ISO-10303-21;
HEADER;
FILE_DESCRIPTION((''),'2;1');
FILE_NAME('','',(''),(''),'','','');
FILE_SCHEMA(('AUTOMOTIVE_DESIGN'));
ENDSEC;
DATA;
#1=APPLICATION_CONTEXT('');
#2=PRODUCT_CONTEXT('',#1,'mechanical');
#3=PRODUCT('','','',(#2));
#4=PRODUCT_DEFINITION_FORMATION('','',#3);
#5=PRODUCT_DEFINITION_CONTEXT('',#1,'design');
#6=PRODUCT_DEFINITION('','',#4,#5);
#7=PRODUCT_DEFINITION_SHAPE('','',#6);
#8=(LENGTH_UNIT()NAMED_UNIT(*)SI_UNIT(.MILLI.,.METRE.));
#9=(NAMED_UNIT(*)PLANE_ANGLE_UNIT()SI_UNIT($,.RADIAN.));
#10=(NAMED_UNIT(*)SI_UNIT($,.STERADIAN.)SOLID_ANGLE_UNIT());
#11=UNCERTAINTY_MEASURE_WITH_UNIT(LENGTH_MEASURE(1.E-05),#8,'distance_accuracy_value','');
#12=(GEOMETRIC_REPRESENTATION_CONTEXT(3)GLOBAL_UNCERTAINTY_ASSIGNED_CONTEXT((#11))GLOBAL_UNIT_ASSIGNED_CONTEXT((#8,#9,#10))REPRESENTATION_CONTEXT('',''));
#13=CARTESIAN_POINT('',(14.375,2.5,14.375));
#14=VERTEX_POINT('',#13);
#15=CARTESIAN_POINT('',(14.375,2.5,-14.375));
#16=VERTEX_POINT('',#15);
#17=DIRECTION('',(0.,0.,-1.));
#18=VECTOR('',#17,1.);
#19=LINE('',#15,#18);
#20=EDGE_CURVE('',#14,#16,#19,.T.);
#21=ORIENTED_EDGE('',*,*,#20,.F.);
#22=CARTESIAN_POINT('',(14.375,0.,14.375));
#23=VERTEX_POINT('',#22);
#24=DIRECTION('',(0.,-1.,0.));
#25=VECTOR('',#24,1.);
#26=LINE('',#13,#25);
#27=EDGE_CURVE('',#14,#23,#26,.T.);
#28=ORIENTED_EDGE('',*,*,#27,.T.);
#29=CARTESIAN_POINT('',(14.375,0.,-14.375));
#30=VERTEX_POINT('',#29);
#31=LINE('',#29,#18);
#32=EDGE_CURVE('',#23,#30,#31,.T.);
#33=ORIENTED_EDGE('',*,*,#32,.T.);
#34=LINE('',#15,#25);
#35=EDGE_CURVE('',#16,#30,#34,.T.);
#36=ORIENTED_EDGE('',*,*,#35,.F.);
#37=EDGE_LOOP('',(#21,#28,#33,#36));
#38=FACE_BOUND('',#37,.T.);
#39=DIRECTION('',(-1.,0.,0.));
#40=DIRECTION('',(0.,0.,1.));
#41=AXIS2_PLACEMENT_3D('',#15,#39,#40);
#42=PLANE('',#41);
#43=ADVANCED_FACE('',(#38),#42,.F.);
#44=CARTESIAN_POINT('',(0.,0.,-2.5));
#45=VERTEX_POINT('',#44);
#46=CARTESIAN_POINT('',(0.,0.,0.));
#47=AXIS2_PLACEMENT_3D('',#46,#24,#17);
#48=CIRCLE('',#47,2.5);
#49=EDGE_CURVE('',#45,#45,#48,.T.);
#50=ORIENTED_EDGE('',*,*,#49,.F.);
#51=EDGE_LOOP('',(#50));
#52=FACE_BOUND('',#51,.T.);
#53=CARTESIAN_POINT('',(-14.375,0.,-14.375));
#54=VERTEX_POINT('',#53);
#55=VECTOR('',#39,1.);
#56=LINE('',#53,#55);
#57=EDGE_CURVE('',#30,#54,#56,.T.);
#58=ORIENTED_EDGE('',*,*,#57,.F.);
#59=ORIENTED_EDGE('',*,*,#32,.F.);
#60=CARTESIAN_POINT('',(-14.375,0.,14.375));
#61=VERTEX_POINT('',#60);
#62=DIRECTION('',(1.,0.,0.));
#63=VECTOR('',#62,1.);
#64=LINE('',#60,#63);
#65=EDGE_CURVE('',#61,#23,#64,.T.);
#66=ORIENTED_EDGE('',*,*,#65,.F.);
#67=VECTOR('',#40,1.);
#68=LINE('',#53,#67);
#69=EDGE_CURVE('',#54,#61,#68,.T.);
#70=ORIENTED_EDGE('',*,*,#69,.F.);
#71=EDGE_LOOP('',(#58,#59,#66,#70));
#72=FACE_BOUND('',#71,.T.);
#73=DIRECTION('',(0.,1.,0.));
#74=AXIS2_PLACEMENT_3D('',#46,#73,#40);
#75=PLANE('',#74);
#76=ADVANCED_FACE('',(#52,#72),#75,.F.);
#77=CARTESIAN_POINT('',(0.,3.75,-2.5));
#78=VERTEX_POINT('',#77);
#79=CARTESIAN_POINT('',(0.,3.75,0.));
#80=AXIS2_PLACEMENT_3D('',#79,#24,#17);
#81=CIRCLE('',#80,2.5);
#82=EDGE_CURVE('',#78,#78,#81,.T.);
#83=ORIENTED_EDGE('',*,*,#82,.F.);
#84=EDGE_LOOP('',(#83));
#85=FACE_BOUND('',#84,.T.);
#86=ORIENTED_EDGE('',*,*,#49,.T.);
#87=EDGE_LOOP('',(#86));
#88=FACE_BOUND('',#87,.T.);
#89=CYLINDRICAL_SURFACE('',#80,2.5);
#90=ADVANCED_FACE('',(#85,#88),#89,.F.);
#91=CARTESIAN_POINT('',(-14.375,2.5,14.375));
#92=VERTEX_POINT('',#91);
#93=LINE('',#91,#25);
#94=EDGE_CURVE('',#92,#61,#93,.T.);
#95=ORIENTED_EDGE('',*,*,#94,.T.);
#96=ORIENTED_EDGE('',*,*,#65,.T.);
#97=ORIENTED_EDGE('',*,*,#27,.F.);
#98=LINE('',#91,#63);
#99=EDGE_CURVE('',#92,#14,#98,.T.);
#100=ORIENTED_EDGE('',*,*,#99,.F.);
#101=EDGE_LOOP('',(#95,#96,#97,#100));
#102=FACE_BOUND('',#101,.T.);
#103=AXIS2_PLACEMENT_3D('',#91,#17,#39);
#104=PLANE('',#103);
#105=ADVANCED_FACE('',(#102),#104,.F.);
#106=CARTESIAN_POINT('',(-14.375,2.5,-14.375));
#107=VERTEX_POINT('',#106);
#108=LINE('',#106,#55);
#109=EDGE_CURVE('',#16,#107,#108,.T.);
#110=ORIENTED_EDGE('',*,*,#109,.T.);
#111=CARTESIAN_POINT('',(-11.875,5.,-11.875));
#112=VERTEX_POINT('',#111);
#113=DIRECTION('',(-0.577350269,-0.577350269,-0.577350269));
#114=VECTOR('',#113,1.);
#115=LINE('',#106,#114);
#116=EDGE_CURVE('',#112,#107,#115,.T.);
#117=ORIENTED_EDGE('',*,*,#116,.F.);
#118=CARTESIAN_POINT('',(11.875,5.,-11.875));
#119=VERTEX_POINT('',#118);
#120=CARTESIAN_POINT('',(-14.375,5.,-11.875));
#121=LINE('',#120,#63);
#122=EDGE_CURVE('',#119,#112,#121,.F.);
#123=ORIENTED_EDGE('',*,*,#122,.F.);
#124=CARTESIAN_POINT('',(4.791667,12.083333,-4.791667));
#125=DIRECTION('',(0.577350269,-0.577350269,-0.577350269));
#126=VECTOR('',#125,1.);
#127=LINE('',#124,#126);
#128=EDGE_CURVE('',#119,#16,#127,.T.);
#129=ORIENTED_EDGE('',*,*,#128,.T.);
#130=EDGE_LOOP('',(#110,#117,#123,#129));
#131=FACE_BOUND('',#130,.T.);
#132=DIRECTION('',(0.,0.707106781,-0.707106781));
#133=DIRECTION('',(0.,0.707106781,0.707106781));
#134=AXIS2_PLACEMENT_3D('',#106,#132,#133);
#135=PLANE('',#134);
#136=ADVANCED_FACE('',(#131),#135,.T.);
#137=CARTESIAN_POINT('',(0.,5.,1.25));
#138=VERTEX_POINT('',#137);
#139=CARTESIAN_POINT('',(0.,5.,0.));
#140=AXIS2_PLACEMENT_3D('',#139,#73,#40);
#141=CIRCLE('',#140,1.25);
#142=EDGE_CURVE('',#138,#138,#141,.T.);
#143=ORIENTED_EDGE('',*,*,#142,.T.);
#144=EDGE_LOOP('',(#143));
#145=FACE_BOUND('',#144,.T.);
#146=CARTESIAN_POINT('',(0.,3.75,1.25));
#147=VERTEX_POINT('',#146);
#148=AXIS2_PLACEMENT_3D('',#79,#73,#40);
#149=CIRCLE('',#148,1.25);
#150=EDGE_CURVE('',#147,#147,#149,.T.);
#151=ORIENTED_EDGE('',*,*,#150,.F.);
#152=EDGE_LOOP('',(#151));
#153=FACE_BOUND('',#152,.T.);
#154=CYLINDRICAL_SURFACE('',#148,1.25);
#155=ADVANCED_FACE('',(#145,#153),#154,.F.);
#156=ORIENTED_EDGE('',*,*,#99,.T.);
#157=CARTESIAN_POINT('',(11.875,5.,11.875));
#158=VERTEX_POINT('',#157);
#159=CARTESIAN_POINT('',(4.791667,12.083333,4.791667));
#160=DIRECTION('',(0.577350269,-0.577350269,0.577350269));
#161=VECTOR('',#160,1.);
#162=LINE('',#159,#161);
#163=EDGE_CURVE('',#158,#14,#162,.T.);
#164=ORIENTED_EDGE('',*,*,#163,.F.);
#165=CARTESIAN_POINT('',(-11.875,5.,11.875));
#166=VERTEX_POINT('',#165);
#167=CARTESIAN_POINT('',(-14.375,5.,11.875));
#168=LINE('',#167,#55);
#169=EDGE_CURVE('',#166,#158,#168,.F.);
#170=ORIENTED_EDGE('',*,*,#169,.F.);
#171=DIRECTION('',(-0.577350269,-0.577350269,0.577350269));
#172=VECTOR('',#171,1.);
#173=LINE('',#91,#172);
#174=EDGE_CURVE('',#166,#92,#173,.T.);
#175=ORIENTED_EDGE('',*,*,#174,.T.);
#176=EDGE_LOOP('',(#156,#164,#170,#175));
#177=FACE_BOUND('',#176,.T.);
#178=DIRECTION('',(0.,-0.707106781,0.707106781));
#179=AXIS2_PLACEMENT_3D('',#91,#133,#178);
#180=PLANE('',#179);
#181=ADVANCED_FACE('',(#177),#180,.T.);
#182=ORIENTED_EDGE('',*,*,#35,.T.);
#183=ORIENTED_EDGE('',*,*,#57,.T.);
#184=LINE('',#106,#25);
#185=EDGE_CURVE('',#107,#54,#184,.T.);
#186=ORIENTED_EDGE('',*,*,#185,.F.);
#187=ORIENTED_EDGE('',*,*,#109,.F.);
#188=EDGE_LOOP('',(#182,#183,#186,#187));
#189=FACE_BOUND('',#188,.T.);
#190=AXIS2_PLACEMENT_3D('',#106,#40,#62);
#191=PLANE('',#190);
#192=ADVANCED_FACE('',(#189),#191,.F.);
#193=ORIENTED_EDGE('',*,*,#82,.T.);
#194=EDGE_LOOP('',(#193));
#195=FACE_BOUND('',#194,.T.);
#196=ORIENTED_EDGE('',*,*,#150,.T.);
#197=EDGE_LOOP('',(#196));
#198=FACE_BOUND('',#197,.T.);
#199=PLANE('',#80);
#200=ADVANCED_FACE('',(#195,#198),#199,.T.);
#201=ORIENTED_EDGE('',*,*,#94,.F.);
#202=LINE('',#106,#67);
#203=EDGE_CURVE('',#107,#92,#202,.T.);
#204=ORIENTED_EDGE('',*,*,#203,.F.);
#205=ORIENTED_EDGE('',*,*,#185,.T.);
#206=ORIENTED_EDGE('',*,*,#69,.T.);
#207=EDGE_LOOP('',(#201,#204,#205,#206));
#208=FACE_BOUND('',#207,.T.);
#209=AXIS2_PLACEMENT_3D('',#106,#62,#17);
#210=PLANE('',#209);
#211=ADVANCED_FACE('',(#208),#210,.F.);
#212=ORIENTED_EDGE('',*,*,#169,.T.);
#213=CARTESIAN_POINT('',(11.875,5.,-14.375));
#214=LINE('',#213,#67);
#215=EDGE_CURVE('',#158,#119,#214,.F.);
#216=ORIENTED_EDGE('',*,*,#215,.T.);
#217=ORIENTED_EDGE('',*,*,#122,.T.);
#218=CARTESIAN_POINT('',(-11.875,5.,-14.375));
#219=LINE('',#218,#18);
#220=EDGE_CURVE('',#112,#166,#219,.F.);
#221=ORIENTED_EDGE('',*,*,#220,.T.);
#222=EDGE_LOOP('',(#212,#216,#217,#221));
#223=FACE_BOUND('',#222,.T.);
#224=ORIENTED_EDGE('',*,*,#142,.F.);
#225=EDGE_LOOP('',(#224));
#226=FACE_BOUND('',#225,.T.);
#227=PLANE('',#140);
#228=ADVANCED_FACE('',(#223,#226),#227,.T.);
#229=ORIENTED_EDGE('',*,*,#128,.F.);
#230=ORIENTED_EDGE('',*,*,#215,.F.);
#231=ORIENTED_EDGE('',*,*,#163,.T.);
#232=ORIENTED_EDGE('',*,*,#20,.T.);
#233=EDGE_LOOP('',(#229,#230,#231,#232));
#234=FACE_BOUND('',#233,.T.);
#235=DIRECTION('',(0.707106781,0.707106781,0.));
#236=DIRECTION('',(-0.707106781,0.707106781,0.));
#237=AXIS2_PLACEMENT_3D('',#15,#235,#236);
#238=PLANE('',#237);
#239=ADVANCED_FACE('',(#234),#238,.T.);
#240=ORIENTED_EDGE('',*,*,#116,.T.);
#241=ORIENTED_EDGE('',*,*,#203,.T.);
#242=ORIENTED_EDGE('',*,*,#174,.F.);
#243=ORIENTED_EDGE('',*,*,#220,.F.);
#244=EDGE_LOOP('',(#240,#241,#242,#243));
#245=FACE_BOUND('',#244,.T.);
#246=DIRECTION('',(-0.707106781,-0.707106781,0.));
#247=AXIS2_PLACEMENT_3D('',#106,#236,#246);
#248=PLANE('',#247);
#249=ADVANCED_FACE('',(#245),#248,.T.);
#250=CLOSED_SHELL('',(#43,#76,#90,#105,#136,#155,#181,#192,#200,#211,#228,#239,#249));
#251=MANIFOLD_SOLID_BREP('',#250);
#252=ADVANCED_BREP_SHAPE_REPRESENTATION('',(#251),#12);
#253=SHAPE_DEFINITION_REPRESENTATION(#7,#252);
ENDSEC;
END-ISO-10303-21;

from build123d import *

# Parameters (mm, degrees)
SKETCH1_W           = 28.75
SKETCH1_H           = 28.75
BOSS_EXTRUDE4_DEPTH = 2.5
SKETCH5_W           = 28.75
SKETCH5_H           = 28.75
BOSS_EXTRUDE5_DEPTH = 2.5
BOSS_EXTRUDE5_TAPER = 45
SKETCH6_R           = 1.25
CUT_EXTRUDE5_DEPTH  = 1.25
SKETCH10_R          = 2.5
CUT_EXTRUDE6_DEPTH  = 3.75


with BuildPart() as part:
    # Sketch1 → Boss-Extrude4 (new body)
    with BuildSketch(Plane(origin=(0, 0, 0), x_dir=(1, 0, 0), z_dir=(0, 1, 0))):
        Rectangle(SKETCH1_W, SKETCH1_H)
    extrude(amount=BOSS_EXTRUDE4_DEPTH)

    # Sketch5 → Boss-Extrude5 (add)
    with BuildSketch(Plane(origin=(0, 2.5, 0), x_dir=(1, 0, 0), z_dir=(0, 1, 0))):
        Rectangle(SKETCH5_W, SKETCH5_H)
    extrude(amount=BOSS_EXTRUDE5_DEPTH, taper=BOSS_EXTRUDE5_TAPER)

    # Sketch6 → Cut-Extrude5 (cut)
    with BuildSketch(Plane(origin=(0, 5, 0), x_dir=(1, 0, 0), z_dir=(0, 1, 0))):
        Circle(SKETCH6_R)
    extrude(amount=-CUT_EXTRUDE5_DEPTH, mode=Mode.SUBTRACT)

    # Sketch10 → Cut-Extrude6 (cut)
    with BuildSketch(Plane.XZ):
        Circle(SKETCH10_R)
    extrude(amount=-CUT_EXTRUDE6_DEPTH, mode=Mode.SUBTRACT)


solid = part.part
